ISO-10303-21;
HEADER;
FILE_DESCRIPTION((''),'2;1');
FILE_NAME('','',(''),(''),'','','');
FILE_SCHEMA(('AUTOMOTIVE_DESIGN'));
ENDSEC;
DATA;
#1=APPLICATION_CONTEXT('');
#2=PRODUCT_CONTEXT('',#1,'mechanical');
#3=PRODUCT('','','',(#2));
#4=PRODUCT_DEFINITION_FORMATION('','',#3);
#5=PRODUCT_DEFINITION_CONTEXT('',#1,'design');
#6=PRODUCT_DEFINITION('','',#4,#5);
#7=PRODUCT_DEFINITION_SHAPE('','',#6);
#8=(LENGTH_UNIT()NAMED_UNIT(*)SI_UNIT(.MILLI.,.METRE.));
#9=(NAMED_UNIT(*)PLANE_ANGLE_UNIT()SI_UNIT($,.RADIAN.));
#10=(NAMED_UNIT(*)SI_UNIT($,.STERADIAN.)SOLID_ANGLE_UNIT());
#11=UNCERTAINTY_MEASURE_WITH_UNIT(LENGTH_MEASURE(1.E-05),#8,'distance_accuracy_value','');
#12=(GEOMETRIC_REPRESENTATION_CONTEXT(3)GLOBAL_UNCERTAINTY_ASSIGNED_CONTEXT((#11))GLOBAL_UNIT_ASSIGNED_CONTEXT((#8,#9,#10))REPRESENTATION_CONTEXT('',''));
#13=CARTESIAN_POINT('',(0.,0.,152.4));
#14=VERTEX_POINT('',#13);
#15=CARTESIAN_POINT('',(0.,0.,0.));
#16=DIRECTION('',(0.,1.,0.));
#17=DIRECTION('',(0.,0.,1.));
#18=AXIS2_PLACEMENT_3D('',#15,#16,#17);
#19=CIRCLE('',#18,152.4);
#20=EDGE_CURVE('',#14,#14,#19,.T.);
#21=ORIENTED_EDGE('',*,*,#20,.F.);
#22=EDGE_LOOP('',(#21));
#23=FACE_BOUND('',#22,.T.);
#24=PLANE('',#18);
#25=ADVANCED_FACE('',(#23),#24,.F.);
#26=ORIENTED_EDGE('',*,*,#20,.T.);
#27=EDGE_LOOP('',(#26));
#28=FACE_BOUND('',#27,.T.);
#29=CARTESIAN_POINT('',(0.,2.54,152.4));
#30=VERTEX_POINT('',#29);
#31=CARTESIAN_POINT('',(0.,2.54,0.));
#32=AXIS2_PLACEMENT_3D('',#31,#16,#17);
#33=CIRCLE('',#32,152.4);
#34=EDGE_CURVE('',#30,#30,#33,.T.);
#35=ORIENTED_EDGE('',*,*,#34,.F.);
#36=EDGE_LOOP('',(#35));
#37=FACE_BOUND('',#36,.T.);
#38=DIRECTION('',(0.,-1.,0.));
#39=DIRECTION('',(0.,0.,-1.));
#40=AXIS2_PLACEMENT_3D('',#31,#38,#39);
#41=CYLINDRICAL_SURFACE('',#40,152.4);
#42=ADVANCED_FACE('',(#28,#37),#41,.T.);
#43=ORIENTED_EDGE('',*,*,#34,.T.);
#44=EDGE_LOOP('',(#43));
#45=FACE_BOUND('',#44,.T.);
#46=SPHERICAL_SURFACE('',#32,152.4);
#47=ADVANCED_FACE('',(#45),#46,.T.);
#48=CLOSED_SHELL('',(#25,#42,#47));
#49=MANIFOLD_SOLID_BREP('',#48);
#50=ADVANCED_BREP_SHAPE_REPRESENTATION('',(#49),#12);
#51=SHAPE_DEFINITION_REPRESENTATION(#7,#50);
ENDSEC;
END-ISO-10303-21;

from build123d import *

# Parameters (mm, degrees)
SKETCH1_R           = 152.4
BOSS_EXTRUDE1_DEPTH = 2.54
DOME1_FACE_RADIUS   = 152.4
DOME1_HEIGHT        = 152.4


with BuildPart() as part:
    # Sketch1 → Boss-Extrude1 (new body)
    with BuildSketch(Plane(origin=(0, 0, 0), x_dir=(1, 0, 0), z_dir=(0, 1, 0))):
        Circle(SKETCH1_R)
    extrude(amount=BOSS_EXTRUDE1_DEPTH)

    # Dome1: a dome of height H over a round flat face of radius A is a cap of a sphere of radius (A * A + H * H) / (2 * H)
    dome1_r = (DOME1_FACE_RADIUS * DOME1_FACE_RADIUS + DOME1_HEIGHT * DOME1_HEIGHT) / (2 * DOME1_HEIGHT)
    dome1_base = Plane((0, 2.54, 0), z_dir=(0, 1, 0))
    with Locations(dome1_base.offset(DOME1_HEIGHT - dome1_r)):
        dome1_ball = Sphere(dome1_r, mode=Mode.PRIVATE)
    add(split(dome1_ball, bisect_by=dome1_base, keep=Keep.TOP, mode=Mode.PRIVATE))


solid = part.part
